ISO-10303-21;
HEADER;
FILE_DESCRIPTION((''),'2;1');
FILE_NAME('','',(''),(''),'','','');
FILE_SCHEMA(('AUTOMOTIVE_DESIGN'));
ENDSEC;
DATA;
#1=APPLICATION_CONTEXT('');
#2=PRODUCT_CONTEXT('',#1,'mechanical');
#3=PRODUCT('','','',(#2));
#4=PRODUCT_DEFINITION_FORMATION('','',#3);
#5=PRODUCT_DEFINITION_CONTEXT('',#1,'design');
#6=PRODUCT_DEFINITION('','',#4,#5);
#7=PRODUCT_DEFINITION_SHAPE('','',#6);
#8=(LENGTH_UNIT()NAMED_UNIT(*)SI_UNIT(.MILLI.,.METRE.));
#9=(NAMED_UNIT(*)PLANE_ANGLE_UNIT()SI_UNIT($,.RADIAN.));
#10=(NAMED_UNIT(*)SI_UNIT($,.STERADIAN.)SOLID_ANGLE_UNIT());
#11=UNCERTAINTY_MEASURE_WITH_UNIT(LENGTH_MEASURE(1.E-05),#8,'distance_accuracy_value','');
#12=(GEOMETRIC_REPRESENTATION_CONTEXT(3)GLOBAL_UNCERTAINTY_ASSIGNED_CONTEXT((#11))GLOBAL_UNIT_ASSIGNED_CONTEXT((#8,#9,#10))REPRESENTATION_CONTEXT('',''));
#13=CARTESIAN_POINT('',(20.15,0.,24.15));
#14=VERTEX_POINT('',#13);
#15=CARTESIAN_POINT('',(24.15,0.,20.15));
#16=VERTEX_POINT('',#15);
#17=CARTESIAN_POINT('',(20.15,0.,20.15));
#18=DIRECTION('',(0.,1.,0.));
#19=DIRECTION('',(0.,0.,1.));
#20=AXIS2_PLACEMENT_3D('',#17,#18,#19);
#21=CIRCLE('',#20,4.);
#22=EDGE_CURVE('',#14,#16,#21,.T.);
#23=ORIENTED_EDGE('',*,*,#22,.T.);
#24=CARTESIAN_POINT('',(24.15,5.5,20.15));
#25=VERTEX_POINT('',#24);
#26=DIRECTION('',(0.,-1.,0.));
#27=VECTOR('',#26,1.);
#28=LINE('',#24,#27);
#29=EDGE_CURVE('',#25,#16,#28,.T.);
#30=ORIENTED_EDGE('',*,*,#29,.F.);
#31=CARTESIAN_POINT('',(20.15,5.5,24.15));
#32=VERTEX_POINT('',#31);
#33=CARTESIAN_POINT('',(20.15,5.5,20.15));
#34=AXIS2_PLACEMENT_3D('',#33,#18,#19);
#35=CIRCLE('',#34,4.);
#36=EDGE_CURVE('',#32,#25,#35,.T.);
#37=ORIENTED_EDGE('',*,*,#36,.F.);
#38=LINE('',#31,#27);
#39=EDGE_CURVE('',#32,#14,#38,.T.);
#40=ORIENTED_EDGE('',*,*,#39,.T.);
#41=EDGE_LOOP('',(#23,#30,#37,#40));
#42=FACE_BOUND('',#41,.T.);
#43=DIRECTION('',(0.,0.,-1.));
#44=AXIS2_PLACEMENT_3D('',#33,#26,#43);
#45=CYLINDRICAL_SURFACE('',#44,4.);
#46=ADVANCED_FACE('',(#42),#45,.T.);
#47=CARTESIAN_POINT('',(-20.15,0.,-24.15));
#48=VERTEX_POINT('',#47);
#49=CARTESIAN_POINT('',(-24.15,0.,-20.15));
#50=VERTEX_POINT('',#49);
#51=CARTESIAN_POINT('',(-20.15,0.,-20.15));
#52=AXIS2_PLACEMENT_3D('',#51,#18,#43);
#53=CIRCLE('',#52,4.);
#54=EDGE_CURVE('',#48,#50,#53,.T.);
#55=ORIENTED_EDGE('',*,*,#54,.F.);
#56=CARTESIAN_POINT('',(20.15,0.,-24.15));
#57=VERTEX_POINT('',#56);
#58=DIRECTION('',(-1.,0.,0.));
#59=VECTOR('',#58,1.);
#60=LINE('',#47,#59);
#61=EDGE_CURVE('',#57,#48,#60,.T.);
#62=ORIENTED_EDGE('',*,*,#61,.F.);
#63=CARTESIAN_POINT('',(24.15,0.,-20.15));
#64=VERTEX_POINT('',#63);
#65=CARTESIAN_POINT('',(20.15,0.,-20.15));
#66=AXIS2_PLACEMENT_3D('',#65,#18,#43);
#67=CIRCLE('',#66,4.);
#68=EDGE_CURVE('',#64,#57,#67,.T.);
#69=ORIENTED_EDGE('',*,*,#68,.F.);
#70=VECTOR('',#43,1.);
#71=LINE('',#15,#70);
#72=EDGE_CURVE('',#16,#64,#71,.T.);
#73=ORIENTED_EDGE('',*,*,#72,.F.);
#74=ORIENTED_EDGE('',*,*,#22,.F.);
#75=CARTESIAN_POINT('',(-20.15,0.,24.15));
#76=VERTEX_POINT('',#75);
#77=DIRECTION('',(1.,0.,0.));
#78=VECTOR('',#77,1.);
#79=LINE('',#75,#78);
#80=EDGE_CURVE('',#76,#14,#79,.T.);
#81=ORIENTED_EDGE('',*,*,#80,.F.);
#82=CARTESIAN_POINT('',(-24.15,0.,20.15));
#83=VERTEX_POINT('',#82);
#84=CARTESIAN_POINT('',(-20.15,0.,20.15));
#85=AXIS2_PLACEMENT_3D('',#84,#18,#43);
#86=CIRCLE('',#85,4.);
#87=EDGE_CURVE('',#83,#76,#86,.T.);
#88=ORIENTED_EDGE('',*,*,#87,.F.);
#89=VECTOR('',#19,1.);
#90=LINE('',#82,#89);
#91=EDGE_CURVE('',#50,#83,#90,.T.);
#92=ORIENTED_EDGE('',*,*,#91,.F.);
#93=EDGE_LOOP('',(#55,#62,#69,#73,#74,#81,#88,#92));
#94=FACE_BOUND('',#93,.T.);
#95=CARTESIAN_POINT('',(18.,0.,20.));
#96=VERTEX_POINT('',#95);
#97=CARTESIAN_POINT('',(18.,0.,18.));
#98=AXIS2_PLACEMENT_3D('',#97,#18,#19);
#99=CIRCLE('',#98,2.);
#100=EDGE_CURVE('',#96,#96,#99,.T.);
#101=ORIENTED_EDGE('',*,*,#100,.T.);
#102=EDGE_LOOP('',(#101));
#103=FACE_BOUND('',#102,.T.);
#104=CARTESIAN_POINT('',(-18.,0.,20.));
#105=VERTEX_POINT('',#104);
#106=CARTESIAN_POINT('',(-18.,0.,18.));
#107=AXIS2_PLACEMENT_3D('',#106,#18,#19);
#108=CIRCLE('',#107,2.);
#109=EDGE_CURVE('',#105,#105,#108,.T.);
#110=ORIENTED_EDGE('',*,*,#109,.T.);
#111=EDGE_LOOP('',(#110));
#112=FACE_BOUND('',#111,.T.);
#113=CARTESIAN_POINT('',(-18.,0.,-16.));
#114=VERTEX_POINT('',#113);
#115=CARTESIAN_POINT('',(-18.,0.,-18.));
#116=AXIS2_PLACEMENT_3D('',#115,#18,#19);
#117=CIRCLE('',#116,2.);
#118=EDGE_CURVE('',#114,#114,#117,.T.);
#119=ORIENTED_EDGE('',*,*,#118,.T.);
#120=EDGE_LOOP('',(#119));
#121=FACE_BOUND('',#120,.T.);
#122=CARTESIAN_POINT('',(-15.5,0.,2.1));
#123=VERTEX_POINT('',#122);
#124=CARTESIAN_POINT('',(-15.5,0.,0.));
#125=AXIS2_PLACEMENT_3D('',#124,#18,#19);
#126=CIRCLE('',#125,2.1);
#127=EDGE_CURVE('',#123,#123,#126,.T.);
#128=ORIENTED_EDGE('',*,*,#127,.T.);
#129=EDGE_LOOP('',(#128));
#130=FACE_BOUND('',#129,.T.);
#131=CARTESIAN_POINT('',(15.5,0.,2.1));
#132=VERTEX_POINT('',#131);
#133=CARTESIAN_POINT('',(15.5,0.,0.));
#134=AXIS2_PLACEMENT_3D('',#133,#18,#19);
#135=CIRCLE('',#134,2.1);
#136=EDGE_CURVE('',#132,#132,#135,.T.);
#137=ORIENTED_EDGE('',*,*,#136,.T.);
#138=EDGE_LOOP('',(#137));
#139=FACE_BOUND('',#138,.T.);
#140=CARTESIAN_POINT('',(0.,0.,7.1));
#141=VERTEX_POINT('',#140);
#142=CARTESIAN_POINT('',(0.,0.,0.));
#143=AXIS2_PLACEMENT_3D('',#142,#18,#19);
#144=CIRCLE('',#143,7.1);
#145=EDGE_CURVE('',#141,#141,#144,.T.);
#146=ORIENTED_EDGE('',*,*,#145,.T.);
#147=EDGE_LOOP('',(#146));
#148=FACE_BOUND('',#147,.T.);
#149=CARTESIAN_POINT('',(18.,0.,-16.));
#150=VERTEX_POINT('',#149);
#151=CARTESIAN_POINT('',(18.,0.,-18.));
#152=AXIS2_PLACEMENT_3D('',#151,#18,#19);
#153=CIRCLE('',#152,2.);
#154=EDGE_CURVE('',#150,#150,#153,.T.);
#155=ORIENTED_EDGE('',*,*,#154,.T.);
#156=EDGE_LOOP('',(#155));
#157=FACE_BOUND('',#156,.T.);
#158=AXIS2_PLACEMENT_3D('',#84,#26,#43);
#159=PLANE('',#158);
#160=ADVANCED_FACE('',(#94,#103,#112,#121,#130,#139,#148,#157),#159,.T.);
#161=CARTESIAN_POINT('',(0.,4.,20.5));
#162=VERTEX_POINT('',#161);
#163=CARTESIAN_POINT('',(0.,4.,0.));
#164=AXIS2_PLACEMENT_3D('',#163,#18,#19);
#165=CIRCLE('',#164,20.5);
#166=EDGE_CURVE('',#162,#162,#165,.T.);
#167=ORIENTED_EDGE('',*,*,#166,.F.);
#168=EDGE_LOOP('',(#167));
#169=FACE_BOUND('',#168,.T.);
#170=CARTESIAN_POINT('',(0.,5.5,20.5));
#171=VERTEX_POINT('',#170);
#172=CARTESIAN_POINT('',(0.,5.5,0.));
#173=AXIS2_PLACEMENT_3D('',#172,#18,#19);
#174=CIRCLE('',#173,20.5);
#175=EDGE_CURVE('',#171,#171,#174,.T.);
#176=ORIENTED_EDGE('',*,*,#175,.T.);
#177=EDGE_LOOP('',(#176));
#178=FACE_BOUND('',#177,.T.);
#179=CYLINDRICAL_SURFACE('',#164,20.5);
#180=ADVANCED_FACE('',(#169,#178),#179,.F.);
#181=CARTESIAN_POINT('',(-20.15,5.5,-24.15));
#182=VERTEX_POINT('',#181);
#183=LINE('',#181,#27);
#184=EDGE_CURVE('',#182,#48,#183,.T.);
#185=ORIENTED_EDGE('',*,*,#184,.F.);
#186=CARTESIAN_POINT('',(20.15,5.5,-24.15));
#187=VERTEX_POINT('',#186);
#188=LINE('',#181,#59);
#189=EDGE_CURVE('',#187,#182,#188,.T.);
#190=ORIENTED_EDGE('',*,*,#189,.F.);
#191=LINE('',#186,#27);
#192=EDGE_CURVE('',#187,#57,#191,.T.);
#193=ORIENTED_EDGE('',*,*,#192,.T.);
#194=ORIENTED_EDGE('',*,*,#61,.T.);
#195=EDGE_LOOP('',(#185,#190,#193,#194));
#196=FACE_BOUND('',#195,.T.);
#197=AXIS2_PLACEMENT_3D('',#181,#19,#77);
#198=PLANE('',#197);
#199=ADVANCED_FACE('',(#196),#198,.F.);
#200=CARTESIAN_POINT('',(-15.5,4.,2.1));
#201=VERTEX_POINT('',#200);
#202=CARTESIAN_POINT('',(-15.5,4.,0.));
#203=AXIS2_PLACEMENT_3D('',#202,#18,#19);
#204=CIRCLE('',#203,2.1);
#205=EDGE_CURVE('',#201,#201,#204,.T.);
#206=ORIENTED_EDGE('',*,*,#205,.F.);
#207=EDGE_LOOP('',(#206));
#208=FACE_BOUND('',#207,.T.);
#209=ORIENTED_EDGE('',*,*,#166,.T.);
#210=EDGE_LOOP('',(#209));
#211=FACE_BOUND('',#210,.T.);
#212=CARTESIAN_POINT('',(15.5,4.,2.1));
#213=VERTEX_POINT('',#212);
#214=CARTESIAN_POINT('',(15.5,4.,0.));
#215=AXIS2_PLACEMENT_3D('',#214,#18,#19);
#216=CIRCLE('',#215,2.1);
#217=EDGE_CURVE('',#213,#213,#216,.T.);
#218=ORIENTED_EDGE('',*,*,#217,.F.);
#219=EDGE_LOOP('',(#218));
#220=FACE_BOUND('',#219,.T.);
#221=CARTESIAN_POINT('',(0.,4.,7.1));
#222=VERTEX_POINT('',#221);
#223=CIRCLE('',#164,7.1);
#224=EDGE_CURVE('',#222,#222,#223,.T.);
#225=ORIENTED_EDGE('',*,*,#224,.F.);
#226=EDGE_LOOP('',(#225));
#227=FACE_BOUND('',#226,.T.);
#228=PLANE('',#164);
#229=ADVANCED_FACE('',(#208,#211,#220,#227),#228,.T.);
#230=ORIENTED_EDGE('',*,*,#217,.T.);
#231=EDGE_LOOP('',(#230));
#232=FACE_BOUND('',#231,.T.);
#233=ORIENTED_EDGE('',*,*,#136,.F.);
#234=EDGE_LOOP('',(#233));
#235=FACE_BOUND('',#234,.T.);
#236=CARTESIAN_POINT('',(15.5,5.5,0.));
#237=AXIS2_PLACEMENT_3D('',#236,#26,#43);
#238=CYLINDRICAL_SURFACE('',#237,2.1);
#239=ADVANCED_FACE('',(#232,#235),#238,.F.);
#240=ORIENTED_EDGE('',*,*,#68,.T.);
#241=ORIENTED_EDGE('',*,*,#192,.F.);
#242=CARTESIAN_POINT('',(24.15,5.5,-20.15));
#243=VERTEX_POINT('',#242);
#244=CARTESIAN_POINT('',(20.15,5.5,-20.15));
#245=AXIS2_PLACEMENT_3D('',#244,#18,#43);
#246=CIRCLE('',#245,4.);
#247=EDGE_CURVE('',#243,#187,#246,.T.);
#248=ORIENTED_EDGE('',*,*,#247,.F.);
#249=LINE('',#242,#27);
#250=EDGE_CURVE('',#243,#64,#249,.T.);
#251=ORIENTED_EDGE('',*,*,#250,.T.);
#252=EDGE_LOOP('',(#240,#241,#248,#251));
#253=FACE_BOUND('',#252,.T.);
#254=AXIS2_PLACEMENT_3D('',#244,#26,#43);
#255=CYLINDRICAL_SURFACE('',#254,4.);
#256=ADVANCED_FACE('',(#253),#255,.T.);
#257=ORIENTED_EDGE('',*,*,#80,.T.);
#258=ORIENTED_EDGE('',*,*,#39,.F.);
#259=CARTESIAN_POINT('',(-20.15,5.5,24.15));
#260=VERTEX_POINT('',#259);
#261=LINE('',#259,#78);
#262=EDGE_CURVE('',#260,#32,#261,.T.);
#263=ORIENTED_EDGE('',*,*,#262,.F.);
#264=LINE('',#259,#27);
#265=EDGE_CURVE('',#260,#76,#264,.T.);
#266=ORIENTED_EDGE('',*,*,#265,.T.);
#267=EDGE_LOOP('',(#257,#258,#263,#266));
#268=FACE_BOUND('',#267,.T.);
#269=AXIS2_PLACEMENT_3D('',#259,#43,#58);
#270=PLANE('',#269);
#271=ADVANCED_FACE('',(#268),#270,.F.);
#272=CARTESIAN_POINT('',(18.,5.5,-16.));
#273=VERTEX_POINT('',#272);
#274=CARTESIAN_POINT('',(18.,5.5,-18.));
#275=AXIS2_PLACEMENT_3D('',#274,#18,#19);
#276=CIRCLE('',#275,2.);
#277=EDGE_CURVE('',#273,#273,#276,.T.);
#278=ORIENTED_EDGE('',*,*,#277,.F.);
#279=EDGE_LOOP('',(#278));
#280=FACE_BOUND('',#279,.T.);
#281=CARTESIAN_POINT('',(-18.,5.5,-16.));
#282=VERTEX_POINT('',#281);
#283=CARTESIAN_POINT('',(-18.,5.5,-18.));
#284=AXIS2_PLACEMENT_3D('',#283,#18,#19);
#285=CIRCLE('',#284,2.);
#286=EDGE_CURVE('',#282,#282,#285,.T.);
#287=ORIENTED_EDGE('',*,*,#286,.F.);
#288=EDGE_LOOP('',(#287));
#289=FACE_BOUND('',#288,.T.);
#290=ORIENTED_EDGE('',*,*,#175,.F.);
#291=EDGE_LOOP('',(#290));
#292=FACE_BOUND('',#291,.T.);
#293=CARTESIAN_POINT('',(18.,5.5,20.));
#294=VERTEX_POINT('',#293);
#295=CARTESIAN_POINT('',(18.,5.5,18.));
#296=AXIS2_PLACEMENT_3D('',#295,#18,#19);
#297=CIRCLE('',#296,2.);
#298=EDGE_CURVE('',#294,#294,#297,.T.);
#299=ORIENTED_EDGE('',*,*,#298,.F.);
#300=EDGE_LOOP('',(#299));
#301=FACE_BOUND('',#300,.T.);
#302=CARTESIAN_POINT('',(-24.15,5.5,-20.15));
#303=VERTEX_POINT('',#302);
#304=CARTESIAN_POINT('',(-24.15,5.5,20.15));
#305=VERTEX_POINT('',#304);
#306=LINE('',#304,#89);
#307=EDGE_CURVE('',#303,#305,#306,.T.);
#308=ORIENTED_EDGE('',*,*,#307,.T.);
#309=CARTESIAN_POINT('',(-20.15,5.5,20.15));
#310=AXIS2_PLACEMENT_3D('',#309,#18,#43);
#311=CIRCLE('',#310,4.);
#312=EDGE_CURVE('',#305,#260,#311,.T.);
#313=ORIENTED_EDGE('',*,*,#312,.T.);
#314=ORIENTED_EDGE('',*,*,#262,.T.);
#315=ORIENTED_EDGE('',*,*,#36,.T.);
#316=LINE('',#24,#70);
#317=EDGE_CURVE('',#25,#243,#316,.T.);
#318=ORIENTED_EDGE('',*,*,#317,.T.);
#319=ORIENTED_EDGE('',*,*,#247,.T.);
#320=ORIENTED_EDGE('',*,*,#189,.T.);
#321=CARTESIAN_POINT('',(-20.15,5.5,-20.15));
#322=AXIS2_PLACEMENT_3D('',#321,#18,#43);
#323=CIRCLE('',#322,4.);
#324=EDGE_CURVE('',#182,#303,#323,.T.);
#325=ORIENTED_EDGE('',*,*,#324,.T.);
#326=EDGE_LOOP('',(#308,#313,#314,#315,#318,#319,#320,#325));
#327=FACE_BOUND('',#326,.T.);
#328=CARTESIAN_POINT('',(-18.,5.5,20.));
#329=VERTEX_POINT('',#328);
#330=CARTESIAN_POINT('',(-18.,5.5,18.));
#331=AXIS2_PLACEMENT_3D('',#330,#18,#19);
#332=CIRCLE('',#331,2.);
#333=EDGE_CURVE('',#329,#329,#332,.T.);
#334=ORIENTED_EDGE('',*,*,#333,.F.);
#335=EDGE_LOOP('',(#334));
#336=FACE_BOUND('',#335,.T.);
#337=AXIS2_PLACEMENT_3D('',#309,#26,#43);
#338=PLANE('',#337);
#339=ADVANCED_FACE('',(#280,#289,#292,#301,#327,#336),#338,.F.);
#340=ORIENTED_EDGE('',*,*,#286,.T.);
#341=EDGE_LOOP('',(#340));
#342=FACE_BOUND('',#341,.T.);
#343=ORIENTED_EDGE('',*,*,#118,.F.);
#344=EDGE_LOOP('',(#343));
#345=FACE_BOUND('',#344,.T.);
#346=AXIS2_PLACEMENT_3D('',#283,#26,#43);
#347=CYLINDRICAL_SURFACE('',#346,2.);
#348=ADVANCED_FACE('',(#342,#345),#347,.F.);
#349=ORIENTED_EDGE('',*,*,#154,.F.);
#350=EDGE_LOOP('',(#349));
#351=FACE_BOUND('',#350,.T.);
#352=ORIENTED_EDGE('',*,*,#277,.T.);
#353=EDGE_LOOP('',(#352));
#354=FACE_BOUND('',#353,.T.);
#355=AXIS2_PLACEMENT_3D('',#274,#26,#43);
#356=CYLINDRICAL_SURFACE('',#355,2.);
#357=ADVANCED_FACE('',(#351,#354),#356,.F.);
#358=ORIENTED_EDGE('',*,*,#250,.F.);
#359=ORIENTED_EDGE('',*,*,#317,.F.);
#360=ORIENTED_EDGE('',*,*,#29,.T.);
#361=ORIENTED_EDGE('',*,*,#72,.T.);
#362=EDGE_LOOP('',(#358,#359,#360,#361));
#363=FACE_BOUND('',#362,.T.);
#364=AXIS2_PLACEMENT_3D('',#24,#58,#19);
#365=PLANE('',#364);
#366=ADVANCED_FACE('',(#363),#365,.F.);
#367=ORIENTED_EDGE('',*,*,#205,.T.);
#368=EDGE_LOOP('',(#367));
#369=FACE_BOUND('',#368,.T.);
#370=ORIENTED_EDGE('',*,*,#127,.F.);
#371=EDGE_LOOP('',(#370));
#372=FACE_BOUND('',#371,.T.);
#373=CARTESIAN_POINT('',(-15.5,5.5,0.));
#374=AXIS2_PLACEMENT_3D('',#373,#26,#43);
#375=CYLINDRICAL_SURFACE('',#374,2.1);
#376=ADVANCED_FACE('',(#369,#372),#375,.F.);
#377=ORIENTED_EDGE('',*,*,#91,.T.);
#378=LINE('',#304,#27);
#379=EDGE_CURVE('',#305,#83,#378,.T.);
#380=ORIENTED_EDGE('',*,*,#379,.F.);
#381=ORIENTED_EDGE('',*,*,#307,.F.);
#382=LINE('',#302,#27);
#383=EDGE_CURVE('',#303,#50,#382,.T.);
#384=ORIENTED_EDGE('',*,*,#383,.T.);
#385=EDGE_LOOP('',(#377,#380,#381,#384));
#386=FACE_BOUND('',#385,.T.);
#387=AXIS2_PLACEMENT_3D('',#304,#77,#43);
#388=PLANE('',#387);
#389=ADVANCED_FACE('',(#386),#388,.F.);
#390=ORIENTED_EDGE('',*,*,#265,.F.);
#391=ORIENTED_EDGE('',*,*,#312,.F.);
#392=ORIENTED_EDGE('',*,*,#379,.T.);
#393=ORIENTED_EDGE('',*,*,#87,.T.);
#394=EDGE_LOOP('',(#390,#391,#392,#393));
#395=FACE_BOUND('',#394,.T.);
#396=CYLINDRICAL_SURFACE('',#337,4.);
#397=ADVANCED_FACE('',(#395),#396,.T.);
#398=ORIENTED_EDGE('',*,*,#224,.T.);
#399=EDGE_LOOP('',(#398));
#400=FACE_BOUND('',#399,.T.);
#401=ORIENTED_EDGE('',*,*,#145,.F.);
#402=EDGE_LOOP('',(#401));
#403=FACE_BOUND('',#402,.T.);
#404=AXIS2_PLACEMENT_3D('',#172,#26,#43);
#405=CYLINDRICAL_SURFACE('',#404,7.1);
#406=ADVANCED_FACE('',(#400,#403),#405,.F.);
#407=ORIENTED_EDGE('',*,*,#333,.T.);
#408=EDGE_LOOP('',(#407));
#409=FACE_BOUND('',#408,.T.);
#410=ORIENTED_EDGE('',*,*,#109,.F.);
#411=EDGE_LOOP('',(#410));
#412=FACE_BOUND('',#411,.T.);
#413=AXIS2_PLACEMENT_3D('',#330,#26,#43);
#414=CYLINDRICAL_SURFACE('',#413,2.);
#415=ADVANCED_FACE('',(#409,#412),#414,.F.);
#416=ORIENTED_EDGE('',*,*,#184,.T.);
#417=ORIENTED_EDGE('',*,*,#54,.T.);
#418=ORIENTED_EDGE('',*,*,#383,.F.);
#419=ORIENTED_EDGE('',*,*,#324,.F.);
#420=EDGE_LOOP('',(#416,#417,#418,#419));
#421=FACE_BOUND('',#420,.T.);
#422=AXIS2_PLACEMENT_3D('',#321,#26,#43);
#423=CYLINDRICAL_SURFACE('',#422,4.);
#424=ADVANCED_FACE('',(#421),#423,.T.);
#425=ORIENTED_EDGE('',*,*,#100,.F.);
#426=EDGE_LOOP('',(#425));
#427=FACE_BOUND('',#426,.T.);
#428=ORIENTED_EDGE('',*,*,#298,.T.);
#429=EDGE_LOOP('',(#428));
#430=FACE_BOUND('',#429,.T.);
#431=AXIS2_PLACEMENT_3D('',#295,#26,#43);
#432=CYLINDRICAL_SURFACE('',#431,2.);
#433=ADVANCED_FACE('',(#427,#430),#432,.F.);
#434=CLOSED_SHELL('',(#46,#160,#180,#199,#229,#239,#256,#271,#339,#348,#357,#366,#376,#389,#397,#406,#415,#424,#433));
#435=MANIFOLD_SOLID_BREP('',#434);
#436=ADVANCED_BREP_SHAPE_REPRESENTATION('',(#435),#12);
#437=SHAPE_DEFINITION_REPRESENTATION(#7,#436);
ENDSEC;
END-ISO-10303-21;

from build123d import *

# Parameters (mm, degrees)
IZIM2_R                     = 7.1
IZIM2_R_2                   = 2
IZIM2_R_3                   = 2.1
Y_KSEKLIK_EKSTR_ZYON1_DEPTH = 5.5
IZIM3_R                     = 20.5
KES_EKSTR_ZYON1_DEPTH       = 1.5


with BuildPart() as part:
    # Çizim2 → Yükseklik-Ekstrüzyon1 (new body)
    with BuildSketch(Plane(origin=(0, 0, 0), x_dir=(1, 0, 0), z_dir=(0, 1, 0))):
        with BuildLine():
            Line((-20.15, -24.15), (20.15, -24.15))
            ThreePointArc((20.15, -24.15), (22.978427125, -22.978427125), (24.15, -20.15))
            Line((24.15, -20.15), (24.15, 20.15))
            ThreePointArc((24.15, 20.15), (22.978427125, 22.978427125), (20.15, 24.15))
            Line((20.15, 24.15), (-20.15, 24.15))
            ThreePointArc((-20.15, 24.15), (-22.978427125, 22.978427125), (-24.15, 20.15))
            Line((-24.15, 20.15), (-24.15, -20.15))
            ThreePointArc((-24.15, -20.15), (-22.978427125, -22.978427125), (-20.15, -24.15))
        make_face()
        Circle(IZIM2_R, mode=Mode.SUBTRACT)
        with Locations((-18, 18)):
            Circle(IZIM2_R_2, mode=Mode.SUBTRACT)
        with Locations((18, 18)):
            Circle(IZIM2_R_2, mode=Mode.SUBTRACT)
        with Locations((-18, -18)):
            Circle(IZIM2_R_2, mode=Mode.SUBTRACT)
        with Locations((18, -18)):
            Circle(IZIM2_R_2, mode=Mode.SUBTRACT)
        with Locations((-15.5, 0)):
            Circle(IZIM2_R_3, mode=Mode.SUBTRACT)
        with Locations((15.5, 0)):
            Circle(IZIM2_R_3, mode=Mode.SUBTRACT)
    extrude(amount=Y_KSEKLIK_EKSTR_ZYON1_DEPTH)

    # Çizim3 → Kes-Ekstrüzyon1 (cut)
    with BuildSketch(Plane(origin=(0, 5.5, 0), x_dir=(1, 0, 0), z_dir=(0, 1, 0))):
        Circle(IZIM3_R)
    extrude(amount=-KES_EKSTR_ZYON1_DEPTH, mode=Mode.SUBTRACT)


solid = part.part
